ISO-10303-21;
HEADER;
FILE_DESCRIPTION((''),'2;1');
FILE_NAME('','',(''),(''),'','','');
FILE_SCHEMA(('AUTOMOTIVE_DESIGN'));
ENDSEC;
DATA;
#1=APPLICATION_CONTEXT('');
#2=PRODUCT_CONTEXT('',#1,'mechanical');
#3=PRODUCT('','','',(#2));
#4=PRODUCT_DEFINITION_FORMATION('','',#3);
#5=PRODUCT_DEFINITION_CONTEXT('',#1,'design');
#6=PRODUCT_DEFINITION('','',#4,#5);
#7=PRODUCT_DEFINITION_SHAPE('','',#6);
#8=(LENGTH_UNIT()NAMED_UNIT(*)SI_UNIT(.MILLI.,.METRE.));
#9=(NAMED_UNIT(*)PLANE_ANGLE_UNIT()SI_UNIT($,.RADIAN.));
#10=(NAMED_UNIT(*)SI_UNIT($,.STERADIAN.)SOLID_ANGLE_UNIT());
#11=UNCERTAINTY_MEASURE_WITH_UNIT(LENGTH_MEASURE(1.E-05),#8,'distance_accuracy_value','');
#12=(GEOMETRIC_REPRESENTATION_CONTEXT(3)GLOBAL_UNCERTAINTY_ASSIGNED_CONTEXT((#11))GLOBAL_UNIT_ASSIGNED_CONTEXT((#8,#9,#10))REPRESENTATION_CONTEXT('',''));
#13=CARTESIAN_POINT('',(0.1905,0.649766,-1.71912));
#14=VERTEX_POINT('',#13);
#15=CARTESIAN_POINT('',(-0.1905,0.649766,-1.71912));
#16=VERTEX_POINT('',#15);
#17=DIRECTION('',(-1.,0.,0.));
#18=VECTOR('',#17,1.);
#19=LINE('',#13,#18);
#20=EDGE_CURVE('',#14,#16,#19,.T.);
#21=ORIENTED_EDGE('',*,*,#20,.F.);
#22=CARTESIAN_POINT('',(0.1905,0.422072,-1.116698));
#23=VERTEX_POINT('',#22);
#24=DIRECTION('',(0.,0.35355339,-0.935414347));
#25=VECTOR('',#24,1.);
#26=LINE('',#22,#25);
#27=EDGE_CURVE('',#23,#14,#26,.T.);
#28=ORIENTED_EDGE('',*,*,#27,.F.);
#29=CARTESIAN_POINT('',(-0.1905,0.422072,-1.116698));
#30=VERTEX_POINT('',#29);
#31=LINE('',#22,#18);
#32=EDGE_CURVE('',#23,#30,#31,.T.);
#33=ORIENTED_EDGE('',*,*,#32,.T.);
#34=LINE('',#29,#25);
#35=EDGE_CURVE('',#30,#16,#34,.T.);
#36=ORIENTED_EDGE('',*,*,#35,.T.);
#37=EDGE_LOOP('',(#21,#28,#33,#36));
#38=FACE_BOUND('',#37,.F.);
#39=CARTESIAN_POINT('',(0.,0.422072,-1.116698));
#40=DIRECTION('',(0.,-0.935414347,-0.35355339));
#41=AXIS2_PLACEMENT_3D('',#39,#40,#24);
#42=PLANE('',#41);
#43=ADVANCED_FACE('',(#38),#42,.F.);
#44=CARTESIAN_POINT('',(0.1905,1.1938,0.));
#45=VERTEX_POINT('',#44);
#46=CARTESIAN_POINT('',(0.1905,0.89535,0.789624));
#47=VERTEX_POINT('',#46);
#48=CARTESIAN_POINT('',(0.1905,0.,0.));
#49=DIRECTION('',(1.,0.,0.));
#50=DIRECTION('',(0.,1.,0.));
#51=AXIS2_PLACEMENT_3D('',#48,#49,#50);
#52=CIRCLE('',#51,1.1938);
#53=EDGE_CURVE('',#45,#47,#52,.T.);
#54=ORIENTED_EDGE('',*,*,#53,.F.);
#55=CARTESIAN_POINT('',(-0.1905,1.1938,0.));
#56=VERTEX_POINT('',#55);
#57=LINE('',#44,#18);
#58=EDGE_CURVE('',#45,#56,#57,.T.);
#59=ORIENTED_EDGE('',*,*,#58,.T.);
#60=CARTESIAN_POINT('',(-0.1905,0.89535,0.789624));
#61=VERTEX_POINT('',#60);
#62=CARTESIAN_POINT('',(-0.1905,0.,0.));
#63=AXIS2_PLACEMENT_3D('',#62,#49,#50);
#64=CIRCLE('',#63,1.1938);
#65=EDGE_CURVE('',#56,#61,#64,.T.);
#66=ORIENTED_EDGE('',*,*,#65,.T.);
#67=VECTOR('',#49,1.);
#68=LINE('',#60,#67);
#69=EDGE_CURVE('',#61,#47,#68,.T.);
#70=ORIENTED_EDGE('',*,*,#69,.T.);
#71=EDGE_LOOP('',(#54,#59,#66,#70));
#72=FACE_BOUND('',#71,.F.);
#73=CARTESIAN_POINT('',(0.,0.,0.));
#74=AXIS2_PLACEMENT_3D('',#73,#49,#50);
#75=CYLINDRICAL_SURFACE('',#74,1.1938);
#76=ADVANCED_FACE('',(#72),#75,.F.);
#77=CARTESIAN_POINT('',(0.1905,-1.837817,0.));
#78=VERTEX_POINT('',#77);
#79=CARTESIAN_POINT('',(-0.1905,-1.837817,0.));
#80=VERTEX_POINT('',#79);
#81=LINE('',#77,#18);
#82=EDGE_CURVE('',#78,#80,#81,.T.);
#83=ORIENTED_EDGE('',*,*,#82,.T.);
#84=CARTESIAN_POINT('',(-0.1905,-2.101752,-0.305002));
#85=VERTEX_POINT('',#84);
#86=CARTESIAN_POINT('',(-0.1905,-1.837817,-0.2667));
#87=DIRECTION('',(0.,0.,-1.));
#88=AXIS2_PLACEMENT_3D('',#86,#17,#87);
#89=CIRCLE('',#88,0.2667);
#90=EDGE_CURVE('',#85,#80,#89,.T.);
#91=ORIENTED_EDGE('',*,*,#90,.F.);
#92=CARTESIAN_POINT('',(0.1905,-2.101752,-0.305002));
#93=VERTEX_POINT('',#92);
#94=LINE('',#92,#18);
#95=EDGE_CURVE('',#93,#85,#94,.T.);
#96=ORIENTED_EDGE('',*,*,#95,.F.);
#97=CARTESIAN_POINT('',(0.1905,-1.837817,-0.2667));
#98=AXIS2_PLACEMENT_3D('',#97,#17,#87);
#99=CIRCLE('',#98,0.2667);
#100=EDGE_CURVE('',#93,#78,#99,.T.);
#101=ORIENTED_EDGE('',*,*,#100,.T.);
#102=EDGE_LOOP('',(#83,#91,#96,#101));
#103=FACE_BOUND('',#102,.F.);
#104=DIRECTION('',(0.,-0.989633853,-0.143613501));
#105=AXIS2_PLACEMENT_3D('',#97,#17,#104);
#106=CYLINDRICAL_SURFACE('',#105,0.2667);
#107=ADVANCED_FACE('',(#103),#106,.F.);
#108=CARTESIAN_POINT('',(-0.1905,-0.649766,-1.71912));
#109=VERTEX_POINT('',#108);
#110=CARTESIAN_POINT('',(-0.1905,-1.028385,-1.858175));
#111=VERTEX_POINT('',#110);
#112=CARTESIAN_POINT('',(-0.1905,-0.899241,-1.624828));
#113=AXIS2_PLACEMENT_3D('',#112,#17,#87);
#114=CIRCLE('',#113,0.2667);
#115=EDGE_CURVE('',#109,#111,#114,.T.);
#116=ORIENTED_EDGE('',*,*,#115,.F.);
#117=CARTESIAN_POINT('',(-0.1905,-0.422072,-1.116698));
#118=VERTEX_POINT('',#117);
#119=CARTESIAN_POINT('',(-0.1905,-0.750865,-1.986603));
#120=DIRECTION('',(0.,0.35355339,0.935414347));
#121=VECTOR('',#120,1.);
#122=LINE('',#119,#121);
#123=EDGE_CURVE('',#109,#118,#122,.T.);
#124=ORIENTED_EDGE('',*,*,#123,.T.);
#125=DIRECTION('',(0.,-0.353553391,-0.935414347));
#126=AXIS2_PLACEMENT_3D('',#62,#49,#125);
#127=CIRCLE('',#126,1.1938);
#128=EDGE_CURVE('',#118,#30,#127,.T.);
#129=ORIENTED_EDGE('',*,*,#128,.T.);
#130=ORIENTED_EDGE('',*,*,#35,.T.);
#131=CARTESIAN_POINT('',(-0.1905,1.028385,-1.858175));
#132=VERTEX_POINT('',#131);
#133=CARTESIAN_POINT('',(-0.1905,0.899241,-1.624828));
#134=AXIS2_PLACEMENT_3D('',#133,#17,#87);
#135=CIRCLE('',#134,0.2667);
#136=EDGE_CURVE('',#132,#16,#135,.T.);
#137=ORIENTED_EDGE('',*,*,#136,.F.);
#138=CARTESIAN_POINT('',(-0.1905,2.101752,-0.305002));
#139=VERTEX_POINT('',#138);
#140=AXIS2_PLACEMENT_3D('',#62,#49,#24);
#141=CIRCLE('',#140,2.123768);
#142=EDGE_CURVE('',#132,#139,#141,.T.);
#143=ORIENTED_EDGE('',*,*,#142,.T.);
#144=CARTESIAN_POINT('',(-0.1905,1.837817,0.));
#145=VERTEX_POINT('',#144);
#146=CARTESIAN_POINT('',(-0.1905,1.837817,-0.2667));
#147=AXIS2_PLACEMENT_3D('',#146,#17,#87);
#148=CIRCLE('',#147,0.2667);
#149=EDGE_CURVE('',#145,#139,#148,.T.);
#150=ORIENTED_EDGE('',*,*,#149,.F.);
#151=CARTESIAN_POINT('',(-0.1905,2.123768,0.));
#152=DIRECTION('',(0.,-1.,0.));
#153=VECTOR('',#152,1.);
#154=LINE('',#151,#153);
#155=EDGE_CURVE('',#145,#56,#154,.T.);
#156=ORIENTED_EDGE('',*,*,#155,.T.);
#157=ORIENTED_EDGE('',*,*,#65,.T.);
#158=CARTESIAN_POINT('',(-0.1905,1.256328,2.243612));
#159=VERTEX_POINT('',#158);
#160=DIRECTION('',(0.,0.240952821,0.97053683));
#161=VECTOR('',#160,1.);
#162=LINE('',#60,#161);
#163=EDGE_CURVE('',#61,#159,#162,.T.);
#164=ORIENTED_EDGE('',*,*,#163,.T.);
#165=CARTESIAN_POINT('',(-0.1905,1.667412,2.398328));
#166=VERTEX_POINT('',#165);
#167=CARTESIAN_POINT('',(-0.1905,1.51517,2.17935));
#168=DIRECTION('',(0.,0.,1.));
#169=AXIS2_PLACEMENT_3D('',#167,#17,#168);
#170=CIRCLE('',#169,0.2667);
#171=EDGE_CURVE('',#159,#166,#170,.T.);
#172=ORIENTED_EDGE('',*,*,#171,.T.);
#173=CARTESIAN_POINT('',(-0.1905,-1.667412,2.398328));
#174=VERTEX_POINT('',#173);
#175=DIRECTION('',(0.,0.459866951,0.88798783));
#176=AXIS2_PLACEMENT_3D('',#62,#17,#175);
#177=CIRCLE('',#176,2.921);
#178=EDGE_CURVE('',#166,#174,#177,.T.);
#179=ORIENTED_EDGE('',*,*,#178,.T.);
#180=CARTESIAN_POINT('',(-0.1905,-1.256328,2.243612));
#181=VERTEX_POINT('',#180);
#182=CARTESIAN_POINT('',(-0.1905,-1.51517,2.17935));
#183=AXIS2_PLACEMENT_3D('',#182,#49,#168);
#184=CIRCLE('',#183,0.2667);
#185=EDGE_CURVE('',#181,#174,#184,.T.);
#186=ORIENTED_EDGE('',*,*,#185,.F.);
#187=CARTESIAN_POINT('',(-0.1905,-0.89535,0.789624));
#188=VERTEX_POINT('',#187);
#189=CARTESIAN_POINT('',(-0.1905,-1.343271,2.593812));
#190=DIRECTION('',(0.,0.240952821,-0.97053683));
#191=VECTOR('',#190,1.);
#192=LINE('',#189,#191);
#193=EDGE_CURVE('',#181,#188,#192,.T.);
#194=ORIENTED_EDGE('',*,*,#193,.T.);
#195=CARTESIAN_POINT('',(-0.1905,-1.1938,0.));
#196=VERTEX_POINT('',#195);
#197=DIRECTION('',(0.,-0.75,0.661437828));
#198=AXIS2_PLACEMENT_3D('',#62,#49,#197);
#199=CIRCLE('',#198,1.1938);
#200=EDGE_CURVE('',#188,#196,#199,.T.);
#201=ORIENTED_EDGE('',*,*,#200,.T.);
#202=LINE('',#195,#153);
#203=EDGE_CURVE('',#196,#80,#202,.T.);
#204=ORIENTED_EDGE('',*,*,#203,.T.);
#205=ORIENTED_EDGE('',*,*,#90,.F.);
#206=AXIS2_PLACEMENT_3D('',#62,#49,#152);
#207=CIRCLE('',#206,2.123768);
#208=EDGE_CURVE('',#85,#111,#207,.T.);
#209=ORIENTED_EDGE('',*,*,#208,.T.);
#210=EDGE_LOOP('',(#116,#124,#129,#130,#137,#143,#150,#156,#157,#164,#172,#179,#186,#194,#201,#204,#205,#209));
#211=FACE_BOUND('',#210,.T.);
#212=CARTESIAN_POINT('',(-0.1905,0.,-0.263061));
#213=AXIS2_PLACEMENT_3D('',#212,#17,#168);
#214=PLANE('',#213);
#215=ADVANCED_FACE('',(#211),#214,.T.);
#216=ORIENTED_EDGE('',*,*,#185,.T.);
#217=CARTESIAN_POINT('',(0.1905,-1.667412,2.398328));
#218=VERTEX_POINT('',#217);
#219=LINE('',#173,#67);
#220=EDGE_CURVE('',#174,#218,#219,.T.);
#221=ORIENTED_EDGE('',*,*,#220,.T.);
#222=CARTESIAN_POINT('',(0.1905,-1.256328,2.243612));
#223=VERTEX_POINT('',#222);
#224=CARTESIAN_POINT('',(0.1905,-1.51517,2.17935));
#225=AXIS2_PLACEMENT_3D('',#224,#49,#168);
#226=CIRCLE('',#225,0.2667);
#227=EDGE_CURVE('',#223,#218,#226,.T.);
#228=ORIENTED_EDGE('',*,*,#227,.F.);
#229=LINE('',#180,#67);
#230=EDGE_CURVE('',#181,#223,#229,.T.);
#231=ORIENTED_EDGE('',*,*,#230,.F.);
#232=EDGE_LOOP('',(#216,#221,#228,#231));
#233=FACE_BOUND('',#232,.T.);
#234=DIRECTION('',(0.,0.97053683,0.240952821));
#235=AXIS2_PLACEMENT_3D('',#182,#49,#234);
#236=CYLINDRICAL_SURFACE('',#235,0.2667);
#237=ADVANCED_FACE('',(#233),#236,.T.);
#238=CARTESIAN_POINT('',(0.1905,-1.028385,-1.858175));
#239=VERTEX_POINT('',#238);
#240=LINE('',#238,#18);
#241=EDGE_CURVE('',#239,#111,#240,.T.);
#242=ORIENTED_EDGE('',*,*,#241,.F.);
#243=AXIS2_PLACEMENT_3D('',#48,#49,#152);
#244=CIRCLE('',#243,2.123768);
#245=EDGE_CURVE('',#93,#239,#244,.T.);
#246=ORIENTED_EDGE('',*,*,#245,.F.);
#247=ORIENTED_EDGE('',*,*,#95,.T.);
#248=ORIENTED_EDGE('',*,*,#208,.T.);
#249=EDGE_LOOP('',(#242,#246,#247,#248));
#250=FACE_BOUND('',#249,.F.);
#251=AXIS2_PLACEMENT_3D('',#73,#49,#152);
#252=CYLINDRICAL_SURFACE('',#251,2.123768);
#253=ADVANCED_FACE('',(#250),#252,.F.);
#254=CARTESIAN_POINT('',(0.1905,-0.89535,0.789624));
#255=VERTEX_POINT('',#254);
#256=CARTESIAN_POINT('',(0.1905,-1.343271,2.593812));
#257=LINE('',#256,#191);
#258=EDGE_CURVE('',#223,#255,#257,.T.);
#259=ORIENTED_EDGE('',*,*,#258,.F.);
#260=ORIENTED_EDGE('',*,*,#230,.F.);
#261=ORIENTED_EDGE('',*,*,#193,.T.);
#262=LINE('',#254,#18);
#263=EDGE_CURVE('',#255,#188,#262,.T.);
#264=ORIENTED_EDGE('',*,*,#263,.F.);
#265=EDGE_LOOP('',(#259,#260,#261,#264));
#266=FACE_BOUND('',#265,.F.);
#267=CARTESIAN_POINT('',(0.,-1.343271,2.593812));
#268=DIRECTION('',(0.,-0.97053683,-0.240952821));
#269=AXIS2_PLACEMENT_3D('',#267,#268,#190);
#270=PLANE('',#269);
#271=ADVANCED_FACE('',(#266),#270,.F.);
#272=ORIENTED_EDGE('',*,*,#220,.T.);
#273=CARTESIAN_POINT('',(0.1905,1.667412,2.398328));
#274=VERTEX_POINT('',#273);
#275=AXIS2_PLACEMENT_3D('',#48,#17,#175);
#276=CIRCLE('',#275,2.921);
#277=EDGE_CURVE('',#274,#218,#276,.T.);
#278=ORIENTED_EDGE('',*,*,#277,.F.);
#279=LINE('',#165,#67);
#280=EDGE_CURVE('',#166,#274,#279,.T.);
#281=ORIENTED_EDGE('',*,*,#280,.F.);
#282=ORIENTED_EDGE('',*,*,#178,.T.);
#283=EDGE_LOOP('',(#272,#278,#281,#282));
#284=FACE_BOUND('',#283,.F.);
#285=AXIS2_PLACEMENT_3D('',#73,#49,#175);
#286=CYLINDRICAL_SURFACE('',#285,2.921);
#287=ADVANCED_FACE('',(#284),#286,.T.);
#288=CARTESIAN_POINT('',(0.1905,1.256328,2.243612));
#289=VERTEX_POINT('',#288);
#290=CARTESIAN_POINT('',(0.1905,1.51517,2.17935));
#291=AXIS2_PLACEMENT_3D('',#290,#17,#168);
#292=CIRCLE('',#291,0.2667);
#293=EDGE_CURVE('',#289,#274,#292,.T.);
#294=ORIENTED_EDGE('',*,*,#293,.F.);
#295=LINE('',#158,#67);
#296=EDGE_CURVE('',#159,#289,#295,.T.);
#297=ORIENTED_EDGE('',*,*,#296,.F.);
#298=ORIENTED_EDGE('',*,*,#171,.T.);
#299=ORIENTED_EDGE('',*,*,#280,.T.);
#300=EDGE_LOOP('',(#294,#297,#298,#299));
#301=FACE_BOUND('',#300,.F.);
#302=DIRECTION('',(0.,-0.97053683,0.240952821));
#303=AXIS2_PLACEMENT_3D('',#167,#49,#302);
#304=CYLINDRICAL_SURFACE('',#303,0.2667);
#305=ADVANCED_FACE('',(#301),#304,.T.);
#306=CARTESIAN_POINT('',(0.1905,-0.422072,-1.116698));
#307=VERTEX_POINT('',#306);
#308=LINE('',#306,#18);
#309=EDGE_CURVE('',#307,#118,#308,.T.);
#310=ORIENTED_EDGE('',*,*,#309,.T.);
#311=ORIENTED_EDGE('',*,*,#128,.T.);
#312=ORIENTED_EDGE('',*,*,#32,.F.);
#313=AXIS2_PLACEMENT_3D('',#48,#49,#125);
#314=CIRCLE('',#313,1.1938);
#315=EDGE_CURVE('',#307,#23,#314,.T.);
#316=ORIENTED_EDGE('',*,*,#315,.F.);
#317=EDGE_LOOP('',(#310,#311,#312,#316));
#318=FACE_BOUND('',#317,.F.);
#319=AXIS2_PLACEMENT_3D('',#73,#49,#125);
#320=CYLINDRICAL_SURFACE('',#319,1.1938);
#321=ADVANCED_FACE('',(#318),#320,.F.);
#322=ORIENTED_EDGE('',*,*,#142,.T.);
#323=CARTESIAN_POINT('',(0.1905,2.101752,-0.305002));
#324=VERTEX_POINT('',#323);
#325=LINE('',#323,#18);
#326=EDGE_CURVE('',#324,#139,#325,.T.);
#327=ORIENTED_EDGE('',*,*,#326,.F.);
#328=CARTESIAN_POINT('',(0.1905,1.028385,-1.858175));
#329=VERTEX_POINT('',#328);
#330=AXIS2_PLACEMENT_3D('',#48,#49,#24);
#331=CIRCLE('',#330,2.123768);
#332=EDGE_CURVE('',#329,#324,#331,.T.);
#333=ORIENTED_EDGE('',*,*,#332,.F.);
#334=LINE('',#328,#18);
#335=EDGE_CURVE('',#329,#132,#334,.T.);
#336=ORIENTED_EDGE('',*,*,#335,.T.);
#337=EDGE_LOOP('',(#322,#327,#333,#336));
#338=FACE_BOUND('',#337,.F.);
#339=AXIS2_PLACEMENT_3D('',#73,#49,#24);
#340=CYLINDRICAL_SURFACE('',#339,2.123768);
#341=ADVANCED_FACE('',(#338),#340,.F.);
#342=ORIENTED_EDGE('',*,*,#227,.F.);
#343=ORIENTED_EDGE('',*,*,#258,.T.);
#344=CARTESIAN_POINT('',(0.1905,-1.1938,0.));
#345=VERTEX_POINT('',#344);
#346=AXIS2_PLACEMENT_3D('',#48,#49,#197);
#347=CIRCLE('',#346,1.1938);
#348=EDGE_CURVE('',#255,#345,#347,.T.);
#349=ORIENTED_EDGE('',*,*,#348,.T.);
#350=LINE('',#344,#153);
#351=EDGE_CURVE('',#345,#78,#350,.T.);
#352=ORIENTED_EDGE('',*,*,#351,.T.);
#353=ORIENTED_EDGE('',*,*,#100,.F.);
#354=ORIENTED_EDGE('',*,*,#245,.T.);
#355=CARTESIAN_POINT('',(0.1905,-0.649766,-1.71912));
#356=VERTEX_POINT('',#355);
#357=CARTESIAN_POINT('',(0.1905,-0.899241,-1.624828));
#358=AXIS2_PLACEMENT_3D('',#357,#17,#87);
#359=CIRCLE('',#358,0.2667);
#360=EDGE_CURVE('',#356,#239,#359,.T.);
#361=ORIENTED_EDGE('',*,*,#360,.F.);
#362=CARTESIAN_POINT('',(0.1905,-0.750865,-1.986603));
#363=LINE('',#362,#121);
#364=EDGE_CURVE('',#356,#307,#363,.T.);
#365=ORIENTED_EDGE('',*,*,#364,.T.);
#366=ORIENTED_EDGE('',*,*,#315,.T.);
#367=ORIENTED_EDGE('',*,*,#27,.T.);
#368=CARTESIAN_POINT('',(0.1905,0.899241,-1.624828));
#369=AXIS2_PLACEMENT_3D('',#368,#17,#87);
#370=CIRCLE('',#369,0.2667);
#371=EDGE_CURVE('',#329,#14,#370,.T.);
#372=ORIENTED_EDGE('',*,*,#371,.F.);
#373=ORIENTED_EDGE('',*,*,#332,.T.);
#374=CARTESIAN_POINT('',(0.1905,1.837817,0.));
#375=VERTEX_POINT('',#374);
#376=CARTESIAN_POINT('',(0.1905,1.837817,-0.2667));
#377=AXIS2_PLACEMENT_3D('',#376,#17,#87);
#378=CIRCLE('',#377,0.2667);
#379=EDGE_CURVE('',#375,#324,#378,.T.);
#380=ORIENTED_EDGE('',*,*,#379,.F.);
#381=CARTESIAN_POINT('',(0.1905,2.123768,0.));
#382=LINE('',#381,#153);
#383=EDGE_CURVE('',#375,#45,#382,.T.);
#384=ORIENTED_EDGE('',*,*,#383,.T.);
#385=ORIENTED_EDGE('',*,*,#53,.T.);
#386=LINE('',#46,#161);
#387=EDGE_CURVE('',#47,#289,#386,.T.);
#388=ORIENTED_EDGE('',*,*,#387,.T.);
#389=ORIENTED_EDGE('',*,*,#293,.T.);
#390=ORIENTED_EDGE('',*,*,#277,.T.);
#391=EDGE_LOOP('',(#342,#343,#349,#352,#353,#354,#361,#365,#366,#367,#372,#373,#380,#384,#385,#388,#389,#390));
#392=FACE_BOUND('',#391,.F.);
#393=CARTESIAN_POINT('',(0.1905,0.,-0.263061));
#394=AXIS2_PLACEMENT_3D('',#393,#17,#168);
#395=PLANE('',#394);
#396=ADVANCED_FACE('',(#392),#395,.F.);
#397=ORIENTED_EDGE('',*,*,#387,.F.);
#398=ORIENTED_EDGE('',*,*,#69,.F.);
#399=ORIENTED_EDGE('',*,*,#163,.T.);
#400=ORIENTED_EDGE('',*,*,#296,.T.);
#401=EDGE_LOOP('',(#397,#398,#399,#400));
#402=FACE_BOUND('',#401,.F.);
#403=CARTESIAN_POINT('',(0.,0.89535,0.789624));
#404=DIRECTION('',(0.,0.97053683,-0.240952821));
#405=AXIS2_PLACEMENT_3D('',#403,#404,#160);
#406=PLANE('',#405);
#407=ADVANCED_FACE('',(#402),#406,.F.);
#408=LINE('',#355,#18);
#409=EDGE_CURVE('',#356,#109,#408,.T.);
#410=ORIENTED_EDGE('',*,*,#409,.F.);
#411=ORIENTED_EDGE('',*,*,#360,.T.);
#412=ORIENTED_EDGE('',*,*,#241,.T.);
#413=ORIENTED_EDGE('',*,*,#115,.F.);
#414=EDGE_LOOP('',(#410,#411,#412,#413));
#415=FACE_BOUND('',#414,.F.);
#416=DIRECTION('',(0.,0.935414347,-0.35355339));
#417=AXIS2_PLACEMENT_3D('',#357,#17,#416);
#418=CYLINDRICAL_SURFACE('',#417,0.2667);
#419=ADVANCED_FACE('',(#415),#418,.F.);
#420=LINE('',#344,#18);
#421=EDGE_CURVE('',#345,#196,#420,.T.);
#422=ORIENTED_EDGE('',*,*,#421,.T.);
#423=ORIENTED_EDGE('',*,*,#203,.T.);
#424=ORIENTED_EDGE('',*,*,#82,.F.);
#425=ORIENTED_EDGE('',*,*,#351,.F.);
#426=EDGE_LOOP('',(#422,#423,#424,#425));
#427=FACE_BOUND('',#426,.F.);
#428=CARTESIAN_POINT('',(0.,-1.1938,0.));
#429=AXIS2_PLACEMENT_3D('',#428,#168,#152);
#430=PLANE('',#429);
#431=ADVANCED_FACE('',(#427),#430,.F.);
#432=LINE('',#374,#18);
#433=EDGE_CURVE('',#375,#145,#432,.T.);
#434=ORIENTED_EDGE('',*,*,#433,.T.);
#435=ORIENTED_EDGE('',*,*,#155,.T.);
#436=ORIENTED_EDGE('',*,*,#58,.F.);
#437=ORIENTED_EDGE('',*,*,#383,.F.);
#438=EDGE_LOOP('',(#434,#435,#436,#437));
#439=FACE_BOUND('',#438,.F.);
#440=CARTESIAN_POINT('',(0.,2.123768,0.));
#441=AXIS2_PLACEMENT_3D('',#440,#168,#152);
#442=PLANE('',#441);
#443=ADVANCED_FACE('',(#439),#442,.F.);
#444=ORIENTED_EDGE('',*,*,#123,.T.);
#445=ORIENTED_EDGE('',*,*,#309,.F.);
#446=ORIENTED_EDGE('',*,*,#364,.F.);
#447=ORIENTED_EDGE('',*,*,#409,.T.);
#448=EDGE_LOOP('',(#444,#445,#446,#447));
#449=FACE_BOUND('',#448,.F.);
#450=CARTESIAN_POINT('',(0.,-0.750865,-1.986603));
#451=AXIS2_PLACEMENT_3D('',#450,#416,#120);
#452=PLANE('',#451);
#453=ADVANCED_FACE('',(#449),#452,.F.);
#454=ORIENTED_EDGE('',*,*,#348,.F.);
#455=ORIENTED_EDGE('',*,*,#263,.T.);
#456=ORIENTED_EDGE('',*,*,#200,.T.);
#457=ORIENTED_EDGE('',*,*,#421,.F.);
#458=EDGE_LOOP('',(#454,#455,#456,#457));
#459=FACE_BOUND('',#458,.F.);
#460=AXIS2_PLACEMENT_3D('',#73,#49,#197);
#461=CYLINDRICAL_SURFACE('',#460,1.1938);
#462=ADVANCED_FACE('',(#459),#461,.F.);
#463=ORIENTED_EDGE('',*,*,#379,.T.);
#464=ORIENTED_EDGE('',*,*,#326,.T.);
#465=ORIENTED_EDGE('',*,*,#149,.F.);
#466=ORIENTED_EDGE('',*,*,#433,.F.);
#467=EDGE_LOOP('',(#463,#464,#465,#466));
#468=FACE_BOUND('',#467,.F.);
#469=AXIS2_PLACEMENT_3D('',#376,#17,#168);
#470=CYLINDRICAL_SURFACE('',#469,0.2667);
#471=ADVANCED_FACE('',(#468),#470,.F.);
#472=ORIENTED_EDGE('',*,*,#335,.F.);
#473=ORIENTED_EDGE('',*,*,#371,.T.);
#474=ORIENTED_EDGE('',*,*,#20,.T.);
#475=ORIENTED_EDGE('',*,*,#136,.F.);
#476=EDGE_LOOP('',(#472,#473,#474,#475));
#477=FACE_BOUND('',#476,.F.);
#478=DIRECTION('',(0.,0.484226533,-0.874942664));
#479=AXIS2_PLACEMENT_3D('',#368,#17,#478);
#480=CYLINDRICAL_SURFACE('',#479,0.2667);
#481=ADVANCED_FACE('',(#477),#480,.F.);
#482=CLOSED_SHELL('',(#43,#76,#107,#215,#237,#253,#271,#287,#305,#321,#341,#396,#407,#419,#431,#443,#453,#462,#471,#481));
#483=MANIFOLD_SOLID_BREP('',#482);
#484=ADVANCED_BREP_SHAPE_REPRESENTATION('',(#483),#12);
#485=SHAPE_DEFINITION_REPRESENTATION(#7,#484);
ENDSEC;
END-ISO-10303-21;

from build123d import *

# Parameters (mm, degrees)
EXTRUDE1_DEPTH = 0.1905
FILLET1_R      = 0.2667


with BuildPart() as part:
    # Sketch1 → Extrude1 (new body, symmetric)
    with BuildSketch(Plane(origin=(0, 0, 0), x_dir=(0, 0, -1), z_dir=(1, 0, 0))):
        with BuildLine():
            Line((-2.593812453, -1.343271365), (-0.789624479, -0.89535))
            ThreePointArc((-0.789624479, -0.89535), (-0.422072038, -1.116697647), (0, -1.1938))
            Line((0, -1.1938), (0, -2.123767742))
            ThreePointArc((0, -2.123767742), (1.207419966, -1.74714809), (1.986602815, -0.750865286))
            Line((1.986602815, -0.750865286), (1.116697647, -0.422072038))
            ThreePointArc((1.116697647, -0.422072038), (1.1938, 0), (1.116697647, 0.422072038))
            Line((1.116697647, 0.422072038), (1.986602815, 0.750865286))
            ThreePointArc((1.986602815, 0.750865286), (1.207419966, 1.74714809), (0, 2.123767742))
            Line((0, 2.123767742), (0, 1.1938))
            ThreePointArc((0, 1.1938), (-0.422072038, 1.116697647), (-0.789624479, 0.89535))
            Line((-0.789624479, 0.89535), (-2.593812453, 1.343271365))
            ThreePointArc((-2.593812453, 1.343271365), (2.921, 0), (-2.593812453, -1.343271365))
        make_face()
    extrude(amount=EXTRUDE1_DEPTH, both=True)

    # Fillet1
    fillet1_edges = [part.edges().sort_by_distance(p)[0] for p in [
        (0, -1.343271365, 2.593812453),
        (0, -2.123767742, 0),
        (0, -0.750865286, -1.986602815),
        (0, 0.750865286, -1.986602815),
        (0, 2.123767742, 0),
        (0, 1.343271365, 2.593812453),
    ]]
    fillet(fillet1_edges, radius=FILLET1_R)


solid = part.part
